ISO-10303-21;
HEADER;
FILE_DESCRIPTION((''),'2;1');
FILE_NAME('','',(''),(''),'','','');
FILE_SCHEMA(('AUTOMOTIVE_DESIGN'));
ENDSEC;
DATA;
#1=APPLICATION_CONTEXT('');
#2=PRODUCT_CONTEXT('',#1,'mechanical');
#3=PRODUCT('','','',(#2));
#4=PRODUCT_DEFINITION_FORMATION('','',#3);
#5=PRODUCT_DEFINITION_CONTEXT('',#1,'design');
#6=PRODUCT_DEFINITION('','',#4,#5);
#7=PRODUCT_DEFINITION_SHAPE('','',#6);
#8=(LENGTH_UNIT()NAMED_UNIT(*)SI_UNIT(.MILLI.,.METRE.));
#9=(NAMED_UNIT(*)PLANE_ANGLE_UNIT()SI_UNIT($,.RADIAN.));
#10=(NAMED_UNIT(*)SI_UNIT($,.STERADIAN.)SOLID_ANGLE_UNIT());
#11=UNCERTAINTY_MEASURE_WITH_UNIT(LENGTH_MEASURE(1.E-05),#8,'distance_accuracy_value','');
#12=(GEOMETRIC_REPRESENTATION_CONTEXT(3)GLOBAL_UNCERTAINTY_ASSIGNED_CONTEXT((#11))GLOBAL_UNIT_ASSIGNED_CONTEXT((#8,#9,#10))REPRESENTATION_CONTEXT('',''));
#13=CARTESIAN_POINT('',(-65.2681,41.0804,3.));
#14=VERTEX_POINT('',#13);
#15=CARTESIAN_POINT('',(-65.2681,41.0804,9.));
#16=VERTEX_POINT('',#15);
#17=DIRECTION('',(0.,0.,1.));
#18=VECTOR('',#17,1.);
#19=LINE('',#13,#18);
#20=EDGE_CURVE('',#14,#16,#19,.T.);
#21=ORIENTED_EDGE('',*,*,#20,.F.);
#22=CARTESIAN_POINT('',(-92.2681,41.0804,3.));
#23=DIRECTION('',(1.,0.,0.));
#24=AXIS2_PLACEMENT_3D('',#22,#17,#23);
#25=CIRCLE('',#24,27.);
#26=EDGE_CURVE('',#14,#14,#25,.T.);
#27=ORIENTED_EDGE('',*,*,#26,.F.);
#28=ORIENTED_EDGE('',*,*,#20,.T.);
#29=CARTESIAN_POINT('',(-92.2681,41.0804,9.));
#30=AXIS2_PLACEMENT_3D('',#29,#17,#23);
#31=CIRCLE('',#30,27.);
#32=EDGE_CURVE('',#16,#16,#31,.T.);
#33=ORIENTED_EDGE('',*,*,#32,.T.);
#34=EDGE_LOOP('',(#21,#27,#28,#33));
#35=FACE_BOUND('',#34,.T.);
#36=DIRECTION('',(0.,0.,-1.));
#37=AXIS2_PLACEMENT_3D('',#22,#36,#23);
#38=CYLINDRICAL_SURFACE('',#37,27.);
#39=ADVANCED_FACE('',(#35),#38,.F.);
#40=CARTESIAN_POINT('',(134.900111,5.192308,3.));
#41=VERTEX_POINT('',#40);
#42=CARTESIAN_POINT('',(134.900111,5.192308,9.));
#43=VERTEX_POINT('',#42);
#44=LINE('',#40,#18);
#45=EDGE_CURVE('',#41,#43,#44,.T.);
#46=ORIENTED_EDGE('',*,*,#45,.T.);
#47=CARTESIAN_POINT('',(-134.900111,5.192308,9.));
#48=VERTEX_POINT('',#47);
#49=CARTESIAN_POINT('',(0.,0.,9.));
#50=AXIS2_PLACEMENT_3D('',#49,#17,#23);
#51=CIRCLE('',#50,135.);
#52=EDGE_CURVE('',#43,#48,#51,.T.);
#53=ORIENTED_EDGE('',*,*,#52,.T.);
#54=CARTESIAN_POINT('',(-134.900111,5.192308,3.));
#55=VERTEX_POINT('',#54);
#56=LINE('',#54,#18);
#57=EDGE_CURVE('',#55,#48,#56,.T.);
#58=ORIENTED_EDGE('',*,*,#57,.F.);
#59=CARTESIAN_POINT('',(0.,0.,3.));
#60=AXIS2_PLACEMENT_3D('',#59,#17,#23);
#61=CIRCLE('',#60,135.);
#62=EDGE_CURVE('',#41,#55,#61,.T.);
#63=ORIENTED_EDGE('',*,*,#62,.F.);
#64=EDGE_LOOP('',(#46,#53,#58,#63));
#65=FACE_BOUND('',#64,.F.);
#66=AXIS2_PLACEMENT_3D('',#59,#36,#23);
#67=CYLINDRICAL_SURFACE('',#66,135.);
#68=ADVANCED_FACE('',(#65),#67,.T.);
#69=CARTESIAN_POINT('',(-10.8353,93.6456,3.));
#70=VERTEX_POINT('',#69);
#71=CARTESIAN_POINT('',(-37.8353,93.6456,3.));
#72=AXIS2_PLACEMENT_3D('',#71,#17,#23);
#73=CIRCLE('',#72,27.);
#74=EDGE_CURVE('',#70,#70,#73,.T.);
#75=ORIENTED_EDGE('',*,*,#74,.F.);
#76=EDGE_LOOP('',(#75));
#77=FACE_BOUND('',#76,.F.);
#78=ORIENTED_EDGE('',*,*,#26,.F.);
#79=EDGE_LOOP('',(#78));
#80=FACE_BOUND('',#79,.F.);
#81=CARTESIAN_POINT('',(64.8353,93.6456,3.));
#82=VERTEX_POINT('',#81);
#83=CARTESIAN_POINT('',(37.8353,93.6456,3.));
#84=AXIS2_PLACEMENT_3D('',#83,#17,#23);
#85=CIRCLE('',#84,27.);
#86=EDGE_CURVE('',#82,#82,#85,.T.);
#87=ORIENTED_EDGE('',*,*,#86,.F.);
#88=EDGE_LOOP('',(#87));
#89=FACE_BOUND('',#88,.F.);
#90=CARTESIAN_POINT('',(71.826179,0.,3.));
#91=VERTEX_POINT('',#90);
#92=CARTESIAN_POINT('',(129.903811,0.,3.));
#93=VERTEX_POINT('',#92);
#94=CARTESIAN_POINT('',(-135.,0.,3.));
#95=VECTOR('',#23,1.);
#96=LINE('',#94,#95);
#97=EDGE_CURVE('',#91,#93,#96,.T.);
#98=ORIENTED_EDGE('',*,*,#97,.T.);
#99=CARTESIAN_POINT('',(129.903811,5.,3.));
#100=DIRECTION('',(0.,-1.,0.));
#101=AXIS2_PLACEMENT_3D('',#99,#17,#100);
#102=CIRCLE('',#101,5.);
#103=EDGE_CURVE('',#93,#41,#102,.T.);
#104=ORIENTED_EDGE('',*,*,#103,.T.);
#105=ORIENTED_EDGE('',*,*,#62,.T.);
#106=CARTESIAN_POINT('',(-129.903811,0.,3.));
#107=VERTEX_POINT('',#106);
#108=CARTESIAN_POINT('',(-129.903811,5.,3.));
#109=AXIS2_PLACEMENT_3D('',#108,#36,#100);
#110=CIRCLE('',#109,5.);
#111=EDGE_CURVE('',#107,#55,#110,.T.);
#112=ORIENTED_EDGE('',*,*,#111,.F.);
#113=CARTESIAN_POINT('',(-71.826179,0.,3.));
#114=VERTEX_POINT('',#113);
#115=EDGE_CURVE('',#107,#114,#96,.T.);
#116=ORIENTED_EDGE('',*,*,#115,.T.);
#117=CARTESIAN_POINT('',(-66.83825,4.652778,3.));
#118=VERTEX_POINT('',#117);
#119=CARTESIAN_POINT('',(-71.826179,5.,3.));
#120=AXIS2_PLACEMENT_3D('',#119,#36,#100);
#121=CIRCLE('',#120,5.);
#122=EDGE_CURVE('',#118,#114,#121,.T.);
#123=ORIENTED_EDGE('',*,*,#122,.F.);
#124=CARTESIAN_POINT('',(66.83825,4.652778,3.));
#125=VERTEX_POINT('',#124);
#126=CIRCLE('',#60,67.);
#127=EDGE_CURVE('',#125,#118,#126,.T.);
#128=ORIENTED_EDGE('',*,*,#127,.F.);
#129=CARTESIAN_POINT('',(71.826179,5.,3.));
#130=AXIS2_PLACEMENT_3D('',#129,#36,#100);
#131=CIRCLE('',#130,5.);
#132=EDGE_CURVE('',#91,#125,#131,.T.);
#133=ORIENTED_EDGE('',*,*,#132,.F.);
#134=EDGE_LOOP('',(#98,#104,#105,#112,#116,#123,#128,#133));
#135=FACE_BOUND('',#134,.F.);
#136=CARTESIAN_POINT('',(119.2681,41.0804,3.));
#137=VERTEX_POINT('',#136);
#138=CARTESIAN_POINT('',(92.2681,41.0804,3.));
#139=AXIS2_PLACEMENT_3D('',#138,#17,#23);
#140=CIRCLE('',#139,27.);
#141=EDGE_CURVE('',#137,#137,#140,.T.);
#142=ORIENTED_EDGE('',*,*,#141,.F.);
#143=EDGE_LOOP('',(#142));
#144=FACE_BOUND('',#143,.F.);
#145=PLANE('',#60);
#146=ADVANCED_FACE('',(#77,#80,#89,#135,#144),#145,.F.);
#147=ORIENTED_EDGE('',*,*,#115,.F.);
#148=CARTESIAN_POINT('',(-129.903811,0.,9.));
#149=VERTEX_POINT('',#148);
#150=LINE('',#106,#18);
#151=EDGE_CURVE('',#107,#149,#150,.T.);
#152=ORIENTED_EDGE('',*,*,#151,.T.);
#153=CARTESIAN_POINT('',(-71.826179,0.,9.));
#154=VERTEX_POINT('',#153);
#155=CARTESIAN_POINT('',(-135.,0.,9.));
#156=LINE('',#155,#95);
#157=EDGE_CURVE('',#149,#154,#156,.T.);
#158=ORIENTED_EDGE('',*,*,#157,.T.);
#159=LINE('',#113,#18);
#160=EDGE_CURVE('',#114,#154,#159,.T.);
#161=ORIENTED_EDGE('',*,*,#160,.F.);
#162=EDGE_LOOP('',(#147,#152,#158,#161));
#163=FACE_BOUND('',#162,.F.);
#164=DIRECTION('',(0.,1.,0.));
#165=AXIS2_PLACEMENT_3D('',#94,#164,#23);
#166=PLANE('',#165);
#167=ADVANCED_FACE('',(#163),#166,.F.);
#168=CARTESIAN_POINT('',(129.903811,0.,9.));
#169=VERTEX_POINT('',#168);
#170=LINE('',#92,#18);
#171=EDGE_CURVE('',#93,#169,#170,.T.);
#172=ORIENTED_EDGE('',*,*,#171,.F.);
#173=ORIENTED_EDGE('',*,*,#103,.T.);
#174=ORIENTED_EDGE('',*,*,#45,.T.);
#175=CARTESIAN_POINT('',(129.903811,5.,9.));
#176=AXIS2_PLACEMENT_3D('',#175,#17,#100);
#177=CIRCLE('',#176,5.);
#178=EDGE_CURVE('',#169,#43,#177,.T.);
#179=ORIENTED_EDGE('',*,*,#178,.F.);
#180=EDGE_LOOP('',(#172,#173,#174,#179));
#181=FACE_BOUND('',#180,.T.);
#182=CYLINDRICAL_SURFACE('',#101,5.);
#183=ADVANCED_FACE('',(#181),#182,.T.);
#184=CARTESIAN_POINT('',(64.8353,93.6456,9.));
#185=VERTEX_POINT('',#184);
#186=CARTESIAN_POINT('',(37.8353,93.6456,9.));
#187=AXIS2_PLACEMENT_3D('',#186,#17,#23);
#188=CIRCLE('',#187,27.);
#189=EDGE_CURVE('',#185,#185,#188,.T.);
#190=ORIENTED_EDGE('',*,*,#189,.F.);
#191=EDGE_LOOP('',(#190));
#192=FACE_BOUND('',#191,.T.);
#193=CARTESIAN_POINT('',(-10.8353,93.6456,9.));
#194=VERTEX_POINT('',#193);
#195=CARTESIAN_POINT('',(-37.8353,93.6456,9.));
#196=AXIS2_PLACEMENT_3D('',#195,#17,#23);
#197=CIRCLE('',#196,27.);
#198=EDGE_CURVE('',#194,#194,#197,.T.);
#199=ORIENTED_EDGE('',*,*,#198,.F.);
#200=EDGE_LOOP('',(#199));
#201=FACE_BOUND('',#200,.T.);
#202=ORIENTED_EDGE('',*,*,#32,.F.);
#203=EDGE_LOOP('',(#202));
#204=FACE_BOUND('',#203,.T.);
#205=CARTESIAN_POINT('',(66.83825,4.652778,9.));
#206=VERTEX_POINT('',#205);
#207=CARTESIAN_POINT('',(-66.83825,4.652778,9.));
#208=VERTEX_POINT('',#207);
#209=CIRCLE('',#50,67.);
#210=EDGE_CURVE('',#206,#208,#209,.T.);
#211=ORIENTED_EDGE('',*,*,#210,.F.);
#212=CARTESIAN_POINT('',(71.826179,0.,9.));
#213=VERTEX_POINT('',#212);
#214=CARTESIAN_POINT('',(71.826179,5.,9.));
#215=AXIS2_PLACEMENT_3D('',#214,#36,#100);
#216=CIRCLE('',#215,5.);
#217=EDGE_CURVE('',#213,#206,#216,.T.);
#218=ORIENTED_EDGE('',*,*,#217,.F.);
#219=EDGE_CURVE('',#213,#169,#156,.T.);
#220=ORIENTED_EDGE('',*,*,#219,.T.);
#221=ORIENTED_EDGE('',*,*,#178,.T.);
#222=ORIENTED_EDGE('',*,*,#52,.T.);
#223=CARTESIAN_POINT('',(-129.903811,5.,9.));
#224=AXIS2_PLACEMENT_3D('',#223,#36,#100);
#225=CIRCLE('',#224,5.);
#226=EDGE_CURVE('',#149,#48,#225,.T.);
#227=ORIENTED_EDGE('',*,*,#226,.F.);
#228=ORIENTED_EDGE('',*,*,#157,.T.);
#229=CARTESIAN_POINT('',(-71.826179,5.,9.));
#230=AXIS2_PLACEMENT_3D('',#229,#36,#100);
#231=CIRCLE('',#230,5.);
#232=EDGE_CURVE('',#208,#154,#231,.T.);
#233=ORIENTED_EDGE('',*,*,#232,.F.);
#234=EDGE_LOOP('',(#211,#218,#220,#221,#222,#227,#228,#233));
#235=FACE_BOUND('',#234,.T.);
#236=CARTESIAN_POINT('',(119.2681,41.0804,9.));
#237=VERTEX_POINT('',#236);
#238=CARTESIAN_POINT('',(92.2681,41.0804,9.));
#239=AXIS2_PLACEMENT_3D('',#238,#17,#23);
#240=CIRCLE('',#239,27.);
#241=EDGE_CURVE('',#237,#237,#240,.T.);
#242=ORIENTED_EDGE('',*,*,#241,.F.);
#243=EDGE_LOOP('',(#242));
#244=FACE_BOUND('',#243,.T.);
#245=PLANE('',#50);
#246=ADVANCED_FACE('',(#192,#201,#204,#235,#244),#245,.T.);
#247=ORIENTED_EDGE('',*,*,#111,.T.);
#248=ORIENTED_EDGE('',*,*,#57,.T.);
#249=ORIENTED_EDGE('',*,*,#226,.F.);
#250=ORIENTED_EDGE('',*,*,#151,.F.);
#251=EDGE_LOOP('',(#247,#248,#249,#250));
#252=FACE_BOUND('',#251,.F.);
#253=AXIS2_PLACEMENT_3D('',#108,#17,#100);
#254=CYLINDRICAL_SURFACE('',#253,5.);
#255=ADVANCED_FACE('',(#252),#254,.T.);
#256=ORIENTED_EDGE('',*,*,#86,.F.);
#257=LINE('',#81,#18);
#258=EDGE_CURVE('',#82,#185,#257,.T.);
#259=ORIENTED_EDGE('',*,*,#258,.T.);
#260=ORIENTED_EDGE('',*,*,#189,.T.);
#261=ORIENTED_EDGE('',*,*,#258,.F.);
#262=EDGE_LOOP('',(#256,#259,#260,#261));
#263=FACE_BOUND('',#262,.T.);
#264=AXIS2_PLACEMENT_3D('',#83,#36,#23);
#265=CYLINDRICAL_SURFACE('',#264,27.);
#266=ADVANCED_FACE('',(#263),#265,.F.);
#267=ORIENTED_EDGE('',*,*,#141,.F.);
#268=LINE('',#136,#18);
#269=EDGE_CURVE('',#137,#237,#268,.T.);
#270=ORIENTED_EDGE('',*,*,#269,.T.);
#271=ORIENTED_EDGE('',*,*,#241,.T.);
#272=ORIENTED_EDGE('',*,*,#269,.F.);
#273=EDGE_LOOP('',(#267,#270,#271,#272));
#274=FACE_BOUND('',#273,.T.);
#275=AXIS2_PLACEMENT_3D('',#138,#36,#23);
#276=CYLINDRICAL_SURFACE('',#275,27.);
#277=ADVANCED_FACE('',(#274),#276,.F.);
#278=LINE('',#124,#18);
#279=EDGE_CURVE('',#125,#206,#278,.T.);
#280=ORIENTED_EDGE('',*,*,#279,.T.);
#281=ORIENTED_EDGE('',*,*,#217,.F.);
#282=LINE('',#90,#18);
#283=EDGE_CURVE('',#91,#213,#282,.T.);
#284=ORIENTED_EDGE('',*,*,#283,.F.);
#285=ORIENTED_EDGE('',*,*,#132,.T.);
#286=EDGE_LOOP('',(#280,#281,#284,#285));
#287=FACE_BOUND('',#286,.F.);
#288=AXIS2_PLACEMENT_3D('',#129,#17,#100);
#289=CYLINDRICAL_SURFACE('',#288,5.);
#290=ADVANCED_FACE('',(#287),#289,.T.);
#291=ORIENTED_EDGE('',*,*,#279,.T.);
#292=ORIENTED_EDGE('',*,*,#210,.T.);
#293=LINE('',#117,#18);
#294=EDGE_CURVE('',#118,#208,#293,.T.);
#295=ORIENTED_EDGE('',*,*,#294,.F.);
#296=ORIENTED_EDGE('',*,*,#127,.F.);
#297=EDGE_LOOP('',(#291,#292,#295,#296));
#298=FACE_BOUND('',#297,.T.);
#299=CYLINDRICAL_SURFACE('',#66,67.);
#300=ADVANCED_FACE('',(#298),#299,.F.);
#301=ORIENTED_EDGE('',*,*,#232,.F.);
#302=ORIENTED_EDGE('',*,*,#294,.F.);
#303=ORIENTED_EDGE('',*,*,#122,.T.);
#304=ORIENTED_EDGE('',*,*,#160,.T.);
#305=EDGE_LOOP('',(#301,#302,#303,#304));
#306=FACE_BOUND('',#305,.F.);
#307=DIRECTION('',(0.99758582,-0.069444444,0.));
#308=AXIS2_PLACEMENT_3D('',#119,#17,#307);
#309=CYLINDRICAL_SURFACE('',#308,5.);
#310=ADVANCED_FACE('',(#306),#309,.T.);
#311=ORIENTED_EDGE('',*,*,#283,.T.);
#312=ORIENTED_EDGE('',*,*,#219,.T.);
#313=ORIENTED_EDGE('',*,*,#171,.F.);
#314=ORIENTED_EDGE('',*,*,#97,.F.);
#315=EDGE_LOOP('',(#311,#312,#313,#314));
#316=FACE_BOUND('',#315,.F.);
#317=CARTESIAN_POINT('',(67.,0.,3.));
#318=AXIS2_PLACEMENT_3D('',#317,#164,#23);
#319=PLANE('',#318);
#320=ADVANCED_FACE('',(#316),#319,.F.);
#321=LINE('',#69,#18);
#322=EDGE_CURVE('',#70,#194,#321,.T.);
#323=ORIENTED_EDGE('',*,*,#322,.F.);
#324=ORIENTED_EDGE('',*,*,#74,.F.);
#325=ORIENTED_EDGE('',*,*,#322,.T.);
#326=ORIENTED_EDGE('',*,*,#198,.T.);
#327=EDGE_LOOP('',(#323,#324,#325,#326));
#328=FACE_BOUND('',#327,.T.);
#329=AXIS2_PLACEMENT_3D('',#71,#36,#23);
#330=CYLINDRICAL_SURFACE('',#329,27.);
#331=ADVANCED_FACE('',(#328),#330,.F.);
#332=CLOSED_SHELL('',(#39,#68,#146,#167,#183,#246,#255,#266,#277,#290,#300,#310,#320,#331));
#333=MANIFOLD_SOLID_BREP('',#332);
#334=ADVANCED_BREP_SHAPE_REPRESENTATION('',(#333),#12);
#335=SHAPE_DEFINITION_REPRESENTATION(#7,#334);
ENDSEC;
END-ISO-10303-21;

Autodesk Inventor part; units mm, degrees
ref_plane "YZ Plane" through (0, 0, 0) normal (1, 0, 0) x (0, 1, 0)
ref_plane "XZ Plane" through (0, 0, 0) normal (0, 1, 0) x (-1, 0, 0)
ref_plane "РабПлоскость1" through (0, 0, 3) normal (0, 0, 1) x (1, 0, 0)
sketch "Эскиз1" plane through (0, 0, 3) normal (0, 0, 1) x (1, 0, 0)
  circle A0 centre (0, 0) radius 135 projected
  circle A1 centre (0, 0) radius 101 construction
  line L0 (0, 0) -> (0, 184.3698) construction
  circle A2 centre (-37.8353, 93.6456) radius 27
  circle A3 centre (-92.2681, 41.0804) radius 27
  circle A4 centre (37.8353, 93.6456) radius 27
  circle A5 centre (92.2681, 41.0804) radius 27
  line L1 (0, 0) -> (37.8353, 93.6456) construction
  line L2 (0, 0) -> (92.2681, 41.0804) construction
  circle A6 centre (0, 0) radius 67
  line L3 (-135, 0) -> (135, 0)
  circle A7 centre (120, 0) radius 1.6 construction
  circle A8 centre (-120, 0) radius 1.6 construction
  circle A9 centre (120, 0) radius 8 construction
  circle A10 centre (-120, 0) radius 8 construction
  circle A11 centre (0, 120) radius 1.6 construction
  circle A12 centre (0, 120) radius 8 construction
  line L4 (0, 0) -> (-116.9134, -67.5) construction
  line L5 (0, 0) -> (116.9134, -67.5) construction
  point P0 (67, 0)
  point P1 (-67, 0)
  point P2 (-128, 0)
  point P3 (-112, 0)
  point P4 (112, 0)
  point P5 (128, 0)
  dimension "d0" = 54
  dimension "d3" = 202
  dimension "d4" = 34
  dimension "d5" = 34
  dimension "d9" = 16
  dimension "d11" = 120
  dimension "d12" = 22
  dimension "d13" = 44
extrude "Выдавливание1" add sketch "Эскиз1" along normal blind 6 contours L3 A6 A0 picked at (99.1742, 4.7591)
fillet "Сопряжение1" radius 5 4 edges at (-67, 0, 6) (-135, 0, 6) (67, 0, 6) (135, 0, 6)
equation "\"d5\" = d4"
equation "\"d13\" = 2 * d12"
properties part number "Фиксатор" material "По умолчанию1"
